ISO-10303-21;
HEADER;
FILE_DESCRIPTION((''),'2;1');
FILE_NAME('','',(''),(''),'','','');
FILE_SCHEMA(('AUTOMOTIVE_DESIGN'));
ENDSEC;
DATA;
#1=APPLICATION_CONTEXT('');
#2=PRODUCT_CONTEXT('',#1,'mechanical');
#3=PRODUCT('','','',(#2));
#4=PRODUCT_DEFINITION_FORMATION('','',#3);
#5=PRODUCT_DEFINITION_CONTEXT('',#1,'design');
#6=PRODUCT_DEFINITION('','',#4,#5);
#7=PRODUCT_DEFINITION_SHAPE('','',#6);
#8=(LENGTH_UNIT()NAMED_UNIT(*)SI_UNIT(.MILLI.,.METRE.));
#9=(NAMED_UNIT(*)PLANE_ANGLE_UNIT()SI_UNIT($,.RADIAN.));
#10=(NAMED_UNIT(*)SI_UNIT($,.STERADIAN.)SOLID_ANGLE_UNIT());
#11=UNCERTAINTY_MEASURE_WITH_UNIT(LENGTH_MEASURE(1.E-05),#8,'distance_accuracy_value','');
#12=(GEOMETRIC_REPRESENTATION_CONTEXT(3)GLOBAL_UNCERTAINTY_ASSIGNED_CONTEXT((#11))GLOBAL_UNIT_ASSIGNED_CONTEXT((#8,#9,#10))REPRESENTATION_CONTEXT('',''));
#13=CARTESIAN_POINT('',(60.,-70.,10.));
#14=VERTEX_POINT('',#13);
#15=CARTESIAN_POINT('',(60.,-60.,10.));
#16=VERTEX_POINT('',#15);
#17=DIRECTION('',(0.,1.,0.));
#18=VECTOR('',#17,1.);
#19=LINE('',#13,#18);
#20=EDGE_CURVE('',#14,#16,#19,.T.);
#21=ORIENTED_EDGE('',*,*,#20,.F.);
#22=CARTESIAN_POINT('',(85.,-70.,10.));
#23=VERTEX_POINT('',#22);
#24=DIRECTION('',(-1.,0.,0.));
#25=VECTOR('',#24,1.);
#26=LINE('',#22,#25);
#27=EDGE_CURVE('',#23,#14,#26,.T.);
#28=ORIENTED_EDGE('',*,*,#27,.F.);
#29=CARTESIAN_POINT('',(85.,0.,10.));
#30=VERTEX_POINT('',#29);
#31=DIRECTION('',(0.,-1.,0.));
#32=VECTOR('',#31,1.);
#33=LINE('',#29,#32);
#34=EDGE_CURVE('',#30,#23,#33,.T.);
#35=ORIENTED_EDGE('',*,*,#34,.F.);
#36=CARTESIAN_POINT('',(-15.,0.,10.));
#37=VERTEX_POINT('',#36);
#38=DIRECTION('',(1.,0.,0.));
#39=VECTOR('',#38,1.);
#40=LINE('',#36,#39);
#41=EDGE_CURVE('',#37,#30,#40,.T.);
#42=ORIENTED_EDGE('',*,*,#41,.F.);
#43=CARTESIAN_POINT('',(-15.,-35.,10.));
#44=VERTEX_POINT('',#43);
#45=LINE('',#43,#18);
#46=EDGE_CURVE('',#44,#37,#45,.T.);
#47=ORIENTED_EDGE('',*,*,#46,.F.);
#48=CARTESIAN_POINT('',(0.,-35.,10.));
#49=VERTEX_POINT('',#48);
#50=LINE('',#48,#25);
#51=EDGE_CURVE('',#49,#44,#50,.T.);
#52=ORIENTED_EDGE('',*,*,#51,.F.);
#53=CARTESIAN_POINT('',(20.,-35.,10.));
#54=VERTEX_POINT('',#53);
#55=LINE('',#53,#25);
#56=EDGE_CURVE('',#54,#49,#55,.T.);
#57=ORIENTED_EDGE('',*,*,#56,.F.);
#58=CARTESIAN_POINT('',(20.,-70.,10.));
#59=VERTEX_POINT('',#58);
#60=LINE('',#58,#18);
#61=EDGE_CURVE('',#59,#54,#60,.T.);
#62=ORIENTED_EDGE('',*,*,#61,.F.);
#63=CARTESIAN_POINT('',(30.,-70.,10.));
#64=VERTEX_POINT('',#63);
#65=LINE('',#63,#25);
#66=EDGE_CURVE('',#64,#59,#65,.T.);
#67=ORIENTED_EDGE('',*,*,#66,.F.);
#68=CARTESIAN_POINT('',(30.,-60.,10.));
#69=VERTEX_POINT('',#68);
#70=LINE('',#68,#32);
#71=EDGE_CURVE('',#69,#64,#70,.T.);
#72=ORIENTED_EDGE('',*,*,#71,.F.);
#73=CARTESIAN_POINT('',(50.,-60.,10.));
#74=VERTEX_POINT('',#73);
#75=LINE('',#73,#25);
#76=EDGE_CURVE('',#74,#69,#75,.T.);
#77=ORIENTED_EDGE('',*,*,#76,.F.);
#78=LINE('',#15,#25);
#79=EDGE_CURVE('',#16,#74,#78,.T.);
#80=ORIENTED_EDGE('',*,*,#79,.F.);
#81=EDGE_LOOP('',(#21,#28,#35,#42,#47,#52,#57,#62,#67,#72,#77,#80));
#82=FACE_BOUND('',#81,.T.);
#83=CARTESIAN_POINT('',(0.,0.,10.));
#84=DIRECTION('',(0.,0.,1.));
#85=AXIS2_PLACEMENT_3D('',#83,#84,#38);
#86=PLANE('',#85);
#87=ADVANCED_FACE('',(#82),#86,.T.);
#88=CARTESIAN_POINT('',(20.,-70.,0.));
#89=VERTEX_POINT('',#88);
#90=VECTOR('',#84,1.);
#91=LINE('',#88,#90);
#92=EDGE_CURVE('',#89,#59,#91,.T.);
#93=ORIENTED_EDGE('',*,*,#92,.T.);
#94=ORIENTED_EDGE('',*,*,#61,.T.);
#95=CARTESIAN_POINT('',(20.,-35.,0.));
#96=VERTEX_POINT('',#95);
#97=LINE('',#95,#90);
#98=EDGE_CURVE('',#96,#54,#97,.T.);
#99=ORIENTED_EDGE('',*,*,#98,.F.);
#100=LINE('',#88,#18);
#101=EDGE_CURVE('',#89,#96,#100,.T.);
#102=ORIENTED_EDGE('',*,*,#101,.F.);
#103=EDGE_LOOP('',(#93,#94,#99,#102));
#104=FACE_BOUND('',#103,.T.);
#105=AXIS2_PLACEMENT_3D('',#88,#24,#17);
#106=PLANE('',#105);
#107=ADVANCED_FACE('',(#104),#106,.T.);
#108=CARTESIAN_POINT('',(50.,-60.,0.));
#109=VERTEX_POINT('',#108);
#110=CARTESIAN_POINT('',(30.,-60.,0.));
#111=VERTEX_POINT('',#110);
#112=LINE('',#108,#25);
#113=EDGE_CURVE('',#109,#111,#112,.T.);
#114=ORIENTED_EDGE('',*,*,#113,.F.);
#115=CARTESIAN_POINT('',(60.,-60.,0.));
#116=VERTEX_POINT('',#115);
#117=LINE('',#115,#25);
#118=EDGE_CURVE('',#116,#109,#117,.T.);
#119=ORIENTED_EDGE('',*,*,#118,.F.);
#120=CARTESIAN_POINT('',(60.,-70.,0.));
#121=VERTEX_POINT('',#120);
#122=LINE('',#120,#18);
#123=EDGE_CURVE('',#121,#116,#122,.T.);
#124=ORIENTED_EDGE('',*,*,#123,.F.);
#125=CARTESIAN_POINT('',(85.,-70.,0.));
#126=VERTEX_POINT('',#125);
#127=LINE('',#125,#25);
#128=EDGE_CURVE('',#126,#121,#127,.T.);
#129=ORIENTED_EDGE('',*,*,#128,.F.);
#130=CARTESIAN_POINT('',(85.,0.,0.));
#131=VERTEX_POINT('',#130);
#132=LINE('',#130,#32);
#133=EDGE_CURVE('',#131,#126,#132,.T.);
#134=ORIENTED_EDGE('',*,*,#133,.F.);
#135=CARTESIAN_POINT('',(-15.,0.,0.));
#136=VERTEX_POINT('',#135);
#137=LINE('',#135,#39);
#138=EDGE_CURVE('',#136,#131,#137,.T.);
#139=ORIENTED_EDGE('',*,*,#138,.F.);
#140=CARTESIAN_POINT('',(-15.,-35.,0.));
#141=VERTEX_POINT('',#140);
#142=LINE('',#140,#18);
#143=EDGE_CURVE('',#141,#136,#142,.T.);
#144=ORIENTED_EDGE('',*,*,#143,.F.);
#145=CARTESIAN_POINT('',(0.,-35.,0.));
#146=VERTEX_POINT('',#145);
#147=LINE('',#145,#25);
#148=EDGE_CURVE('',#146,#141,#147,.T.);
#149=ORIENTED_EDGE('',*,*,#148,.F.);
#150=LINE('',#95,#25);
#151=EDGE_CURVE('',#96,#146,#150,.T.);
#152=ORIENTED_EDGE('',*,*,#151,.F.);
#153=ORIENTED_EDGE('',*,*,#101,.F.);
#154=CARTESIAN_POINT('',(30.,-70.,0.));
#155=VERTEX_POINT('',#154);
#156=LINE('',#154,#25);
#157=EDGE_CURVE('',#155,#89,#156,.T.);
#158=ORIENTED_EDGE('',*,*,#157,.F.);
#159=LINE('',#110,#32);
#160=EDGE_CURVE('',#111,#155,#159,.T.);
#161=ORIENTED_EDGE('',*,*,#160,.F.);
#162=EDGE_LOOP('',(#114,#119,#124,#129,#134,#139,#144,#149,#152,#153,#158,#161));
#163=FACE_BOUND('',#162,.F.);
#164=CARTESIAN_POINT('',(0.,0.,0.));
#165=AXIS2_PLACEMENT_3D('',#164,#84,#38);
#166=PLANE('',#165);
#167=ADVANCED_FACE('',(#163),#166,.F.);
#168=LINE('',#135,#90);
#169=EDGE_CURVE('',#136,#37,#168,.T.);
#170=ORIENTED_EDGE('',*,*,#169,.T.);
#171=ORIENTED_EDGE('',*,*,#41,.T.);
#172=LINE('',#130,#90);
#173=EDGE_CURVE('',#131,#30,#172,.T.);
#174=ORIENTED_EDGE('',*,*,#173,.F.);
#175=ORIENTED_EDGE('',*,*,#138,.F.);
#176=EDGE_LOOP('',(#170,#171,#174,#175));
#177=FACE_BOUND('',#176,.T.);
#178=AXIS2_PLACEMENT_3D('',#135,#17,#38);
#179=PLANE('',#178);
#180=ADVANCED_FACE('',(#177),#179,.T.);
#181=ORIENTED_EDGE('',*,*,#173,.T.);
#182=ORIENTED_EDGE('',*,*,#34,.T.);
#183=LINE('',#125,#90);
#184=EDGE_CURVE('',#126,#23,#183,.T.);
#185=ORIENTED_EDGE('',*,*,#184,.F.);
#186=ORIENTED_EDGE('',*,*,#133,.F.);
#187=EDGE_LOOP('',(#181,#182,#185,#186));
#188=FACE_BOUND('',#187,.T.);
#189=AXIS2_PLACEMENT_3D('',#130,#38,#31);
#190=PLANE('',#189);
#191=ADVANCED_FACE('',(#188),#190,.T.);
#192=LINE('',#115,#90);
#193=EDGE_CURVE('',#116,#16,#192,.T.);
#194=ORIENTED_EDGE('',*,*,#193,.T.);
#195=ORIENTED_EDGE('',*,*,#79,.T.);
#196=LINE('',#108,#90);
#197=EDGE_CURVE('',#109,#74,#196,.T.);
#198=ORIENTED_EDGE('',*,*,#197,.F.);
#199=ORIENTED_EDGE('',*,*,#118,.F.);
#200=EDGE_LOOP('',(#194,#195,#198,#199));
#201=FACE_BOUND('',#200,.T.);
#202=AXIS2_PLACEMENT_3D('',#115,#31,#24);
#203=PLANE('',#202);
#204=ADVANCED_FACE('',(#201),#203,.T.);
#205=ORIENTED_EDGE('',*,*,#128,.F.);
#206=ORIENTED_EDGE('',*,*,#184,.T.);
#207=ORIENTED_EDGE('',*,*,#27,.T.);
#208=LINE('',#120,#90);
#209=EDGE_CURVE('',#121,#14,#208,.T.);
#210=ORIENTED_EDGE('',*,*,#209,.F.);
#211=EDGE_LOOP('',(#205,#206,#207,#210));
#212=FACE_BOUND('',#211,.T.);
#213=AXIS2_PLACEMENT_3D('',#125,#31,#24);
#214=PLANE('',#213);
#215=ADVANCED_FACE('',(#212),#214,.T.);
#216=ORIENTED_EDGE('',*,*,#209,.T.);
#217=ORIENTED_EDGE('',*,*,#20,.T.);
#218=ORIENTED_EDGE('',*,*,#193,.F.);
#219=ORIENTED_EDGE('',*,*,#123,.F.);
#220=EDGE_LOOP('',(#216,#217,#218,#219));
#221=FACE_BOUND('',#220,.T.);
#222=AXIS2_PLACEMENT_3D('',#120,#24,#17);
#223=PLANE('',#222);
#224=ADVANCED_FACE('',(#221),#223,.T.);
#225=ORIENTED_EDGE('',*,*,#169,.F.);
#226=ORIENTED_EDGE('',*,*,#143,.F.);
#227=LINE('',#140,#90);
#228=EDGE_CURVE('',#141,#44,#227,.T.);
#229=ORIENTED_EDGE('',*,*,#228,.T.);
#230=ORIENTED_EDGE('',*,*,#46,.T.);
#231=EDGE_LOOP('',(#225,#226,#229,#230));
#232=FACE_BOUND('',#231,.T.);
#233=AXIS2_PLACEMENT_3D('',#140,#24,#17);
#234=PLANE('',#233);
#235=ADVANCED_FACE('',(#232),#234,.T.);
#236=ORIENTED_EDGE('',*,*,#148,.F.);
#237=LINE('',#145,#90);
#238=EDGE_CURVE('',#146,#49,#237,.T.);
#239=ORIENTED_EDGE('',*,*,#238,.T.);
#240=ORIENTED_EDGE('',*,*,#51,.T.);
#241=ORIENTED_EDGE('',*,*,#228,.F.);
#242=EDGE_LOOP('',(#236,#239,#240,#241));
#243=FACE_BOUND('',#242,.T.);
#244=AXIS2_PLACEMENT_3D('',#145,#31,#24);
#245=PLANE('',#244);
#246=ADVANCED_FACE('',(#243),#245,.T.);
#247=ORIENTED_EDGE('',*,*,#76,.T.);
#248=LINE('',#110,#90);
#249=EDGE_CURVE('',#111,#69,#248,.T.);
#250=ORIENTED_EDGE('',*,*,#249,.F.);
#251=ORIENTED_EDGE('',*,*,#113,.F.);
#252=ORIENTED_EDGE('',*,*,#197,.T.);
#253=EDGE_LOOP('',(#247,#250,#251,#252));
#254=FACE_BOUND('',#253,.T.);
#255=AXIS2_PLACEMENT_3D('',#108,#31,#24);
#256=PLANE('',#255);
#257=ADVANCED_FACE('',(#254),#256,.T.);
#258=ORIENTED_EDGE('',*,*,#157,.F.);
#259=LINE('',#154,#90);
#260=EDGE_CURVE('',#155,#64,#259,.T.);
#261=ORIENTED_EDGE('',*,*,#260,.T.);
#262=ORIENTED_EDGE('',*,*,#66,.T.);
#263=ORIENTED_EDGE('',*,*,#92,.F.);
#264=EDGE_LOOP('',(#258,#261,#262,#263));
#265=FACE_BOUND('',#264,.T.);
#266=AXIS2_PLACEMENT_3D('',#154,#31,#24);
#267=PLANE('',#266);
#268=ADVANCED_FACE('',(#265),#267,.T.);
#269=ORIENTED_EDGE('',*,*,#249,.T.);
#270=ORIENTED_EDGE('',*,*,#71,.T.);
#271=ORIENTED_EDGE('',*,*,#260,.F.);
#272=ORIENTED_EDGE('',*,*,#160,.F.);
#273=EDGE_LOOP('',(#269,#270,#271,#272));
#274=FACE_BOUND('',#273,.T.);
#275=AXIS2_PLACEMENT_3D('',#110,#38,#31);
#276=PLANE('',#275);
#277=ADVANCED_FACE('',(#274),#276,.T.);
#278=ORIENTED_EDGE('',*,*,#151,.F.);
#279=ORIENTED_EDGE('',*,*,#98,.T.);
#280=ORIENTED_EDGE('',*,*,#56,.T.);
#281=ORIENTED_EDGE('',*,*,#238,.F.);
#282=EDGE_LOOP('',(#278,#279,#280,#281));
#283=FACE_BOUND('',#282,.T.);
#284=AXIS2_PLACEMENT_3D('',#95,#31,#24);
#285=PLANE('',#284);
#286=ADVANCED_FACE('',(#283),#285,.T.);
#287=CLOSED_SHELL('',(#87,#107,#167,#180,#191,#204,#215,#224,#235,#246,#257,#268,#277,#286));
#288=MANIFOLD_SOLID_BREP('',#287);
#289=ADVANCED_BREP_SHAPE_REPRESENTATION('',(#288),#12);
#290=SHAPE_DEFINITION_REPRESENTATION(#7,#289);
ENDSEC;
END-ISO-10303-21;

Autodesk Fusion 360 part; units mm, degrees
sketch "keychain base" plane through (0, 0, 0) normal (0, 0, 1) x (1, 0, 0)
  line L0 (-15, 0) -> (85, 0)
  line L1 (85, 0) -> (85, -70)
  line L2 (85, -70) -> (60, -70)
  line L3 (60, -70) -> (60, -60)
  line L4 (60, -60) -> (50, -60)
  line L5 (50, -60) -> (30, -60)
  line L6 (30, -60) -> (30, -70)
  line L7 (30, -70) -> (20, -70)
  line L8 (20, -70) -> (20, -35)
  line L9 (20, -35) -> (0, -35)
  line L10 (0, -35) -> (-15, -35)
  line L11 (-15, -35) -> (-15, 0)
extrude "Extrude1" add sketch "keychain base" along normal blind 10
